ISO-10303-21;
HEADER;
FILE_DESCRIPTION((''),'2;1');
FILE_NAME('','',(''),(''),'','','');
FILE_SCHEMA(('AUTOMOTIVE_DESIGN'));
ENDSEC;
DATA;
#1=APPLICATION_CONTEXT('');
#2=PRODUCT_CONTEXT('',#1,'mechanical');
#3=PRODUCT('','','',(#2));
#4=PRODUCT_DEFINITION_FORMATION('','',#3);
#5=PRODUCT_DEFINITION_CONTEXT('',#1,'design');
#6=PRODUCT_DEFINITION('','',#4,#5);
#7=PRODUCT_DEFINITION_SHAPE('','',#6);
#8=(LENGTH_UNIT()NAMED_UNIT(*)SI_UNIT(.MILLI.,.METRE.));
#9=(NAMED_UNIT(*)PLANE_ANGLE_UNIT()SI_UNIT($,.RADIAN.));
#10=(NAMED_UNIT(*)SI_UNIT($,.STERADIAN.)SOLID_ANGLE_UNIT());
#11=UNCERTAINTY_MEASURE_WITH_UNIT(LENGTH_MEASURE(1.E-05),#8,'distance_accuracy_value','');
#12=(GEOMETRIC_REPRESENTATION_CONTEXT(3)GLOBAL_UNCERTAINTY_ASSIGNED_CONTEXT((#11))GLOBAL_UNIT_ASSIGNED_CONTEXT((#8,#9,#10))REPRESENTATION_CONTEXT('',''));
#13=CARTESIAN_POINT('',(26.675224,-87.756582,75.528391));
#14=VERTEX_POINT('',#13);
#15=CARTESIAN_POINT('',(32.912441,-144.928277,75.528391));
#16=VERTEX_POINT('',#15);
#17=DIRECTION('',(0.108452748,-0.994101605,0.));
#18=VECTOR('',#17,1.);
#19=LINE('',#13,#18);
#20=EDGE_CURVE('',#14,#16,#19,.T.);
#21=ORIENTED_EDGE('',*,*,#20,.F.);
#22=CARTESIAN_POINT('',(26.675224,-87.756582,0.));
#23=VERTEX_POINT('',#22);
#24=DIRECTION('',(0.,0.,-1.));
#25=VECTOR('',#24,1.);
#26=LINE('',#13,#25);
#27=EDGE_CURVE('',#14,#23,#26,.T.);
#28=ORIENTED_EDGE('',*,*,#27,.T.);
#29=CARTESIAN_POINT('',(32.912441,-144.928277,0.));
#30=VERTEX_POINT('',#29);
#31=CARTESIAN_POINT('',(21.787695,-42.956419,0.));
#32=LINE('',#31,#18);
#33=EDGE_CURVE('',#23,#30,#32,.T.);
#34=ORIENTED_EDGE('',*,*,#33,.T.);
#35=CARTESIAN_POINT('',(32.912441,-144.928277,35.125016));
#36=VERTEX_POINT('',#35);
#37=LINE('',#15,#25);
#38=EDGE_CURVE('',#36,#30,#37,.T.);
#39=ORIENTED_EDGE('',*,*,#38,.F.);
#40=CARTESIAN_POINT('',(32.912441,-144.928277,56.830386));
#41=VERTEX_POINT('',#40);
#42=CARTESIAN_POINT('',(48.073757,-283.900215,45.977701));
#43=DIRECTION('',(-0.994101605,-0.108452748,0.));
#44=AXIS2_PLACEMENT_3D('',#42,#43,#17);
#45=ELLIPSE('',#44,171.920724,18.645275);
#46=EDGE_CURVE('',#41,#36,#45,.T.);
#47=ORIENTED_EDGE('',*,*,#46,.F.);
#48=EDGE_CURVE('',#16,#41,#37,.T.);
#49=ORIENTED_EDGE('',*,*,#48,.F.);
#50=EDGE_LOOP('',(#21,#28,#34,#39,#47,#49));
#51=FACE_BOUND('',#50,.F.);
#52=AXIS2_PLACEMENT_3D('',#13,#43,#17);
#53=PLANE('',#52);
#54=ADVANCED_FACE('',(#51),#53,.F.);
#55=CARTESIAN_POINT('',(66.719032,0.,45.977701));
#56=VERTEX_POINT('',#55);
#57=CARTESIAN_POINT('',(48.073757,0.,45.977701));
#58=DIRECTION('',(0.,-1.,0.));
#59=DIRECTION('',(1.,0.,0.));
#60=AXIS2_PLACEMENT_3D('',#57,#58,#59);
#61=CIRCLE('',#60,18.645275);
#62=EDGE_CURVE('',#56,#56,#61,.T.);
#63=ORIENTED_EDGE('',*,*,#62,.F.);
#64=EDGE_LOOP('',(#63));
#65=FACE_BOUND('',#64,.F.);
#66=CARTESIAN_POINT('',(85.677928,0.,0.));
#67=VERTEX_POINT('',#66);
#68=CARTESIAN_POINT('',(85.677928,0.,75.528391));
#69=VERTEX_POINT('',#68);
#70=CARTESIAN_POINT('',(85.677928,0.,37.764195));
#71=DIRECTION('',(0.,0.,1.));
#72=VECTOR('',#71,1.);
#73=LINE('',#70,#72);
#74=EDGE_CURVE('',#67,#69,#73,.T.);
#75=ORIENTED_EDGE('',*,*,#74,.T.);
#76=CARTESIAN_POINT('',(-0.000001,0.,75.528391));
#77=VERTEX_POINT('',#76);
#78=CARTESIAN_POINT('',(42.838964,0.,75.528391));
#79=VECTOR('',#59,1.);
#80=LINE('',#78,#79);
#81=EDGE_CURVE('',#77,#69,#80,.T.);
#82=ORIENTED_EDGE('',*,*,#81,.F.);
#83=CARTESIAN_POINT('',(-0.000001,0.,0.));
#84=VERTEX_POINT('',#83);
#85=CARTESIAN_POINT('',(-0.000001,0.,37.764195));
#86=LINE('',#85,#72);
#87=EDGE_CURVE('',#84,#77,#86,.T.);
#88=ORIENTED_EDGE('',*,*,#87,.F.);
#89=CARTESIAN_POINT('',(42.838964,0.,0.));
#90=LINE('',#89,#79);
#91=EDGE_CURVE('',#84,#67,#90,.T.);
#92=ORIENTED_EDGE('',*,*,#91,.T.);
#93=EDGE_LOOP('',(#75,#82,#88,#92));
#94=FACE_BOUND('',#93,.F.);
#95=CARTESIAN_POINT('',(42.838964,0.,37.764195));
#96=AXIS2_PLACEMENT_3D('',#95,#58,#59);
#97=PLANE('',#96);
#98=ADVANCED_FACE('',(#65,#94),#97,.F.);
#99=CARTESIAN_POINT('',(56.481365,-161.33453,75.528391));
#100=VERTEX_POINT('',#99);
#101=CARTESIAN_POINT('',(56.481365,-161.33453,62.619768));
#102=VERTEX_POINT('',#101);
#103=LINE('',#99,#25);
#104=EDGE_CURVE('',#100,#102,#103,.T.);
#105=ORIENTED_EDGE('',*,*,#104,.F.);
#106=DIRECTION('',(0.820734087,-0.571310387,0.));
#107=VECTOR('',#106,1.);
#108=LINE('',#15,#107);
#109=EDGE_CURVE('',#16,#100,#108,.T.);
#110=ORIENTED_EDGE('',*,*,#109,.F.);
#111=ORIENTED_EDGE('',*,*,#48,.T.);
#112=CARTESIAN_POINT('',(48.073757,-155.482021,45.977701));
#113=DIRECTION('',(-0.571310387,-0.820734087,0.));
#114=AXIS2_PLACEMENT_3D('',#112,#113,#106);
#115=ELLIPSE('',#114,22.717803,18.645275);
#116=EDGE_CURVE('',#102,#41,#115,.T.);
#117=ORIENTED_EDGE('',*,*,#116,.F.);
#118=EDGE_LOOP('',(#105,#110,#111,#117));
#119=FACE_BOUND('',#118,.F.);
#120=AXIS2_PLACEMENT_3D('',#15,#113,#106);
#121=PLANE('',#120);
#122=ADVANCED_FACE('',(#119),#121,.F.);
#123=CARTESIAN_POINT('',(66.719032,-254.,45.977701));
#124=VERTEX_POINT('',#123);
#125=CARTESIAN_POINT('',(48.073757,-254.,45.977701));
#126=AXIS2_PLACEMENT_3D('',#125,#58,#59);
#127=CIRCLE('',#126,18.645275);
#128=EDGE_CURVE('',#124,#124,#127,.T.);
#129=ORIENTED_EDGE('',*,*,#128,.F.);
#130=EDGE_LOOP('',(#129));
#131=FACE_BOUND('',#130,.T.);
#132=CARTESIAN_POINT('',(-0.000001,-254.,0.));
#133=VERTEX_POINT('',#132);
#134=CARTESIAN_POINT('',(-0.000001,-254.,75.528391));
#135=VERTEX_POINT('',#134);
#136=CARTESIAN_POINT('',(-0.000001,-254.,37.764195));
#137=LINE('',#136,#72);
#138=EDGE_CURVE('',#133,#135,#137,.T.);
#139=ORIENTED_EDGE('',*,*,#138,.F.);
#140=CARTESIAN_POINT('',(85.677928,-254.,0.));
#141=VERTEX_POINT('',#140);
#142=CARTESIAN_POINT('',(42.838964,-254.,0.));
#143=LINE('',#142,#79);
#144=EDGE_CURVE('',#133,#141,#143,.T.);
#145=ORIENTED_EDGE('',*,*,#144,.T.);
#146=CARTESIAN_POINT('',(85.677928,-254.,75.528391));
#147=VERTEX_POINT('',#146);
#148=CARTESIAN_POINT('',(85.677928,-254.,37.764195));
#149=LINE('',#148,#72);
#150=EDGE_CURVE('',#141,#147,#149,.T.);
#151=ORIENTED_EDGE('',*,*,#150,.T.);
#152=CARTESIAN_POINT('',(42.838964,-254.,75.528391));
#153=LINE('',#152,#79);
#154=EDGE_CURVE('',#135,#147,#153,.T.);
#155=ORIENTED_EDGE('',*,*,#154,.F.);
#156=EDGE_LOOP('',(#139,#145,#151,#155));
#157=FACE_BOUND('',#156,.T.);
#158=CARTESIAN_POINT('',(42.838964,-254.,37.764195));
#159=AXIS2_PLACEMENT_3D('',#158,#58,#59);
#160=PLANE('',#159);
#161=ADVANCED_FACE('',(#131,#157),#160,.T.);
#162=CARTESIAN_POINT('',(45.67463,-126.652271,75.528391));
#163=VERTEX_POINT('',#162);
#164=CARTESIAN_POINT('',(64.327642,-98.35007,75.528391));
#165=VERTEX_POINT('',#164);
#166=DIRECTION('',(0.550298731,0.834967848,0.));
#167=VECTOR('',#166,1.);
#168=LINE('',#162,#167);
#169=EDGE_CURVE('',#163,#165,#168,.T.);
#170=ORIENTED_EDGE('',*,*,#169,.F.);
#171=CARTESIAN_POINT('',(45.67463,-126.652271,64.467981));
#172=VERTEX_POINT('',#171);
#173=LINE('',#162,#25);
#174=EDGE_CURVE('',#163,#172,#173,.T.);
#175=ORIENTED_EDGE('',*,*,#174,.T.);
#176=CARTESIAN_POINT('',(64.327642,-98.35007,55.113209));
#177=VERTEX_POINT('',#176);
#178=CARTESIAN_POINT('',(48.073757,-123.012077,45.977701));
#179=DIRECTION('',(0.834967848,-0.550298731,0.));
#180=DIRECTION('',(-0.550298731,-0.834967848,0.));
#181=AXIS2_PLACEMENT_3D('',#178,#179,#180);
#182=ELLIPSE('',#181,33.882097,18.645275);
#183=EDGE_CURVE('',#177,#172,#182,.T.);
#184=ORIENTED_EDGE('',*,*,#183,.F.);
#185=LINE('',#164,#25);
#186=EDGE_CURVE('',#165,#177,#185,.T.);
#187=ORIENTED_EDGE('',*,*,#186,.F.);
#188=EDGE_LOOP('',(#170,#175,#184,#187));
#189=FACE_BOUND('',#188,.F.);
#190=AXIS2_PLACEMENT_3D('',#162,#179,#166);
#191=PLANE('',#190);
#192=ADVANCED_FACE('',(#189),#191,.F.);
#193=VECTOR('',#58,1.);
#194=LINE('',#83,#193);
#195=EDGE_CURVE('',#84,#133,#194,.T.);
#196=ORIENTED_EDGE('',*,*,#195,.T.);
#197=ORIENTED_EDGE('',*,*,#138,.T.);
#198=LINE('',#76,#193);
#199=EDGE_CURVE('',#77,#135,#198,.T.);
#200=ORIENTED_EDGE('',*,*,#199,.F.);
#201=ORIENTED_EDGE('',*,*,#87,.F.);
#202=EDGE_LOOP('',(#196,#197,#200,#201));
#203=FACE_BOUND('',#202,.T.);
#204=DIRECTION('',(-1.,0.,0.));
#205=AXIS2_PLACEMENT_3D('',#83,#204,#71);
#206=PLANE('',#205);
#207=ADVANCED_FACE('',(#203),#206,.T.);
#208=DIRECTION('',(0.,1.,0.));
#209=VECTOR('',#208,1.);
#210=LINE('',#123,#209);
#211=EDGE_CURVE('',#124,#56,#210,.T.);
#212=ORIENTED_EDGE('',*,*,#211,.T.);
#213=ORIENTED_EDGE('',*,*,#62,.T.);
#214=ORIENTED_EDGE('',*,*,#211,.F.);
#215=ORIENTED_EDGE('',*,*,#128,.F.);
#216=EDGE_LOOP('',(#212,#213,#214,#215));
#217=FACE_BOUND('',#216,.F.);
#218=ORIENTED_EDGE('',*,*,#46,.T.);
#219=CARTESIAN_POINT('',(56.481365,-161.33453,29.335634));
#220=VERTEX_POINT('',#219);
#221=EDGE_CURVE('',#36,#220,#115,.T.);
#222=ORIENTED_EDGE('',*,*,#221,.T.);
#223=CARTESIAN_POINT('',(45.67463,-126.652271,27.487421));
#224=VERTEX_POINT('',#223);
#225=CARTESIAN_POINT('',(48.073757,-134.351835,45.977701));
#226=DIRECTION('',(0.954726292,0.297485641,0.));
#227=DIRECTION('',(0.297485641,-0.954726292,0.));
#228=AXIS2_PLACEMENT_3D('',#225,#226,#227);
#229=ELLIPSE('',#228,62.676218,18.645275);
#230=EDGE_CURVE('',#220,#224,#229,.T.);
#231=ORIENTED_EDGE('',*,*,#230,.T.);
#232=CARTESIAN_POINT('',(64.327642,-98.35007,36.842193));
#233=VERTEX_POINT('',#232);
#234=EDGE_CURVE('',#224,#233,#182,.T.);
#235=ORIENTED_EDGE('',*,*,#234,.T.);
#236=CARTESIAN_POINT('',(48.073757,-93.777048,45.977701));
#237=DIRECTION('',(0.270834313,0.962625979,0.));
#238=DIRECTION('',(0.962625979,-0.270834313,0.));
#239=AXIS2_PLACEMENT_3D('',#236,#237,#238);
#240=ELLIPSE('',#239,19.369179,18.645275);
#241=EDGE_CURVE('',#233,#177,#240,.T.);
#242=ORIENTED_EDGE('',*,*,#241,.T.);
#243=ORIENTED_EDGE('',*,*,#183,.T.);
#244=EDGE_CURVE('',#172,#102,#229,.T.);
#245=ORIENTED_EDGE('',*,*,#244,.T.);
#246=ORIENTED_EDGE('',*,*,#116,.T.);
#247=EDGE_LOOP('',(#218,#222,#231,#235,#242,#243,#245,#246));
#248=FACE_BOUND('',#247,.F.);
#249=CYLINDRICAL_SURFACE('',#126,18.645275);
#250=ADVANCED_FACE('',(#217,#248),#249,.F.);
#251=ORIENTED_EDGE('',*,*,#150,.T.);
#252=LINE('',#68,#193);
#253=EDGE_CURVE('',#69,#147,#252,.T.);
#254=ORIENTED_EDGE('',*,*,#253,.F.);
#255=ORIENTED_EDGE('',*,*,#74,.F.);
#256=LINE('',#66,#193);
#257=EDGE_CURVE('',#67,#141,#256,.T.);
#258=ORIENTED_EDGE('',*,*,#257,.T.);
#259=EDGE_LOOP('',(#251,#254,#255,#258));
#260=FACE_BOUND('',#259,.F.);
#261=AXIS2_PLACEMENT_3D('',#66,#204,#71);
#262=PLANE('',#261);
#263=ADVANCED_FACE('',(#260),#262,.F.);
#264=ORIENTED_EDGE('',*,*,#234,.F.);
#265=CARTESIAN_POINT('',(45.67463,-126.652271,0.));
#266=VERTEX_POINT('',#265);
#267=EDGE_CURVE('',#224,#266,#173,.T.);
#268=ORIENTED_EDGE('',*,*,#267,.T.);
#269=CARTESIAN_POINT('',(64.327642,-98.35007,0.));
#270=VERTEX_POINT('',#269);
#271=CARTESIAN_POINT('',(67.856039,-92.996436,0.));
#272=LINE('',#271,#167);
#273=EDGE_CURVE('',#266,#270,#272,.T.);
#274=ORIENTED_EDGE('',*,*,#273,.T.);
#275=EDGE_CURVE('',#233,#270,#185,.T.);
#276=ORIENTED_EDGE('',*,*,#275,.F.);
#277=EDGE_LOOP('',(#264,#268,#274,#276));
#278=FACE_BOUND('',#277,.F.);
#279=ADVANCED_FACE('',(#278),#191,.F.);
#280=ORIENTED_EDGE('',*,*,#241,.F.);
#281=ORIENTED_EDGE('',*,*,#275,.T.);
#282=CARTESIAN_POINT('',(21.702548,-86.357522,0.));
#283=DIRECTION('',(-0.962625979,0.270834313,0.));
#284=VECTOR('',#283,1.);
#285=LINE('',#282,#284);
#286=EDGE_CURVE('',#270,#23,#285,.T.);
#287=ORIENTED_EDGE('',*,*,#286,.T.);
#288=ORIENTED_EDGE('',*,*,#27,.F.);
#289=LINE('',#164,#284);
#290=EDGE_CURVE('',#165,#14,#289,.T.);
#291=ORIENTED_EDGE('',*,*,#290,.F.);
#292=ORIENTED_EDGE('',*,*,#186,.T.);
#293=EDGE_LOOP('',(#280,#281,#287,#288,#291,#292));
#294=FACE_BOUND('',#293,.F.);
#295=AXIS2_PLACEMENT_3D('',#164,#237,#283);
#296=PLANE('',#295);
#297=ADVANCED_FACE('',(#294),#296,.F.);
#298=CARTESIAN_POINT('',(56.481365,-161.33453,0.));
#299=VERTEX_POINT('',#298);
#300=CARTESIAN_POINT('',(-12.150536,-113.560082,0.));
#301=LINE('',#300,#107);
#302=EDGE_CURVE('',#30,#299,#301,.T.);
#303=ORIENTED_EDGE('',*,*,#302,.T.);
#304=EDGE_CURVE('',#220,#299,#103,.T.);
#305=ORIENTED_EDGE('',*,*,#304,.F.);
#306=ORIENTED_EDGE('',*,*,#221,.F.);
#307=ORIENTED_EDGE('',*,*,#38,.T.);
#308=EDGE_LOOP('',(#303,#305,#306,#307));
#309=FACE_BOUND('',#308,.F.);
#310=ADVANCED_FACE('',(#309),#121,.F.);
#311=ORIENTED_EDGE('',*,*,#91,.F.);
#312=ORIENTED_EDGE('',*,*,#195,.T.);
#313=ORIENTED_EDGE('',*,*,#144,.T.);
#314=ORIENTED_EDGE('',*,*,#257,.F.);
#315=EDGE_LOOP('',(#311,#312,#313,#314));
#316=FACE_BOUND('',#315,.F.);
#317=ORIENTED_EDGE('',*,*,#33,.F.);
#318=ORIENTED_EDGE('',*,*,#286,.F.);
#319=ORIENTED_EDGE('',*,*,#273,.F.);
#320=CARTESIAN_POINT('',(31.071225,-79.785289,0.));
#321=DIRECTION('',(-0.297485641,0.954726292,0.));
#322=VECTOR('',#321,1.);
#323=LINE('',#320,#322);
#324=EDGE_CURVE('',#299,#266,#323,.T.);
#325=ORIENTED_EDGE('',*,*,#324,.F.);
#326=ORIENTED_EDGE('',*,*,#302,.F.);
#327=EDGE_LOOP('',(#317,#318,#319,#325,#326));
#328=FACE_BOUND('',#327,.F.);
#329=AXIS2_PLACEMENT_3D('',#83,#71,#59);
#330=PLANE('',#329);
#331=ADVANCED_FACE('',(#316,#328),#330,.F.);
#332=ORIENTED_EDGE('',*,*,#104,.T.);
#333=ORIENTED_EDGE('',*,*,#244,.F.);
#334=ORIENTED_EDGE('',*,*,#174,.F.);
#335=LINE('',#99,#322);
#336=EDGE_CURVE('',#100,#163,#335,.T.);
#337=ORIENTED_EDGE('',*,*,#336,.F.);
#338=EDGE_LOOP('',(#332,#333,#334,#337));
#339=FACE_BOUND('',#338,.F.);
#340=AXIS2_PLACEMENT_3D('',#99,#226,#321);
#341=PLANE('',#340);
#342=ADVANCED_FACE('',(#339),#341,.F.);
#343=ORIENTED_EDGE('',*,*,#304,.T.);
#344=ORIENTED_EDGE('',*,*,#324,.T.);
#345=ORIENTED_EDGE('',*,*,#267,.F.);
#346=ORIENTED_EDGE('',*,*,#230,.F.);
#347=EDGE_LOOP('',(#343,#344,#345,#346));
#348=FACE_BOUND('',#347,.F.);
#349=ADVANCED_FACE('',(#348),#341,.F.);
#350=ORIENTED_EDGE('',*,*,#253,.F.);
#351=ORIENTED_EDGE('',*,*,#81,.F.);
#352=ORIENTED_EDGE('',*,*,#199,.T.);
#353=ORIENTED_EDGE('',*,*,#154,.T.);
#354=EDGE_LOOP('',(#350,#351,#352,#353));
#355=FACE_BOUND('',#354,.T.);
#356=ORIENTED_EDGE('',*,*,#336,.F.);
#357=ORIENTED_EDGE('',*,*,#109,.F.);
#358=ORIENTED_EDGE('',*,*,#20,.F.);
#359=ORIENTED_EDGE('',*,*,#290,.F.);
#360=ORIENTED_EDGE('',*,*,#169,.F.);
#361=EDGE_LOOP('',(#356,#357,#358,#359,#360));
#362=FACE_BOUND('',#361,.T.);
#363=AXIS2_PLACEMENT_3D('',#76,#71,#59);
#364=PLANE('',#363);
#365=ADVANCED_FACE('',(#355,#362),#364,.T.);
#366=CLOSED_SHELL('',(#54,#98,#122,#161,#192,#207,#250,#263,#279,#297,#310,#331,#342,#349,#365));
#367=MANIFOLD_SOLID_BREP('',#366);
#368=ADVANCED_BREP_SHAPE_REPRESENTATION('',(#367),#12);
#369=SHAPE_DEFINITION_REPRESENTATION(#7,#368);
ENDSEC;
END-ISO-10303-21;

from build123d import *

# Parameters (mm, degrees)
F0_W     = 85.677929
F0_H     = 75.528391
F1_DEPTH = 254
F2_R     = 18.645275
F3_DEPTH = 254.001
F5_DEPTH = 127


with BuildPart() as f1:
    # F0 (on Front) → F1 (new body)
    with BuildSketch(Plane.XZ):
        with Locations((42.838964, 37.764195)):
            Rectangle(F0_W, F0_H)
    extrude(amount=F1_DEPTH)

    # F2 (on face) → F3 (cut, through all)
    with BuildSketch(Plane.XZ.offset(254)):
        with Locations((48.073757, 45.977701)):
            Circle(F2_R)
    extrude(amount=-F3_DEPTH, mode=Mode.SUBTRACT)

    # F4 (on face) → F5 (cut)
    with BuildSketch(Plane.XY.offset(75.528391)):
        Polygon((64.327642, -98.35007), (26.675224, -87.756582), (32.912441, -144.928277), (56.481365, -161.33453), (45.67463, -126.652271), align=None)
    extrude(amount=-F5_DEPTH, mode=Mode.SUBTRACT)


solid = f1.part
